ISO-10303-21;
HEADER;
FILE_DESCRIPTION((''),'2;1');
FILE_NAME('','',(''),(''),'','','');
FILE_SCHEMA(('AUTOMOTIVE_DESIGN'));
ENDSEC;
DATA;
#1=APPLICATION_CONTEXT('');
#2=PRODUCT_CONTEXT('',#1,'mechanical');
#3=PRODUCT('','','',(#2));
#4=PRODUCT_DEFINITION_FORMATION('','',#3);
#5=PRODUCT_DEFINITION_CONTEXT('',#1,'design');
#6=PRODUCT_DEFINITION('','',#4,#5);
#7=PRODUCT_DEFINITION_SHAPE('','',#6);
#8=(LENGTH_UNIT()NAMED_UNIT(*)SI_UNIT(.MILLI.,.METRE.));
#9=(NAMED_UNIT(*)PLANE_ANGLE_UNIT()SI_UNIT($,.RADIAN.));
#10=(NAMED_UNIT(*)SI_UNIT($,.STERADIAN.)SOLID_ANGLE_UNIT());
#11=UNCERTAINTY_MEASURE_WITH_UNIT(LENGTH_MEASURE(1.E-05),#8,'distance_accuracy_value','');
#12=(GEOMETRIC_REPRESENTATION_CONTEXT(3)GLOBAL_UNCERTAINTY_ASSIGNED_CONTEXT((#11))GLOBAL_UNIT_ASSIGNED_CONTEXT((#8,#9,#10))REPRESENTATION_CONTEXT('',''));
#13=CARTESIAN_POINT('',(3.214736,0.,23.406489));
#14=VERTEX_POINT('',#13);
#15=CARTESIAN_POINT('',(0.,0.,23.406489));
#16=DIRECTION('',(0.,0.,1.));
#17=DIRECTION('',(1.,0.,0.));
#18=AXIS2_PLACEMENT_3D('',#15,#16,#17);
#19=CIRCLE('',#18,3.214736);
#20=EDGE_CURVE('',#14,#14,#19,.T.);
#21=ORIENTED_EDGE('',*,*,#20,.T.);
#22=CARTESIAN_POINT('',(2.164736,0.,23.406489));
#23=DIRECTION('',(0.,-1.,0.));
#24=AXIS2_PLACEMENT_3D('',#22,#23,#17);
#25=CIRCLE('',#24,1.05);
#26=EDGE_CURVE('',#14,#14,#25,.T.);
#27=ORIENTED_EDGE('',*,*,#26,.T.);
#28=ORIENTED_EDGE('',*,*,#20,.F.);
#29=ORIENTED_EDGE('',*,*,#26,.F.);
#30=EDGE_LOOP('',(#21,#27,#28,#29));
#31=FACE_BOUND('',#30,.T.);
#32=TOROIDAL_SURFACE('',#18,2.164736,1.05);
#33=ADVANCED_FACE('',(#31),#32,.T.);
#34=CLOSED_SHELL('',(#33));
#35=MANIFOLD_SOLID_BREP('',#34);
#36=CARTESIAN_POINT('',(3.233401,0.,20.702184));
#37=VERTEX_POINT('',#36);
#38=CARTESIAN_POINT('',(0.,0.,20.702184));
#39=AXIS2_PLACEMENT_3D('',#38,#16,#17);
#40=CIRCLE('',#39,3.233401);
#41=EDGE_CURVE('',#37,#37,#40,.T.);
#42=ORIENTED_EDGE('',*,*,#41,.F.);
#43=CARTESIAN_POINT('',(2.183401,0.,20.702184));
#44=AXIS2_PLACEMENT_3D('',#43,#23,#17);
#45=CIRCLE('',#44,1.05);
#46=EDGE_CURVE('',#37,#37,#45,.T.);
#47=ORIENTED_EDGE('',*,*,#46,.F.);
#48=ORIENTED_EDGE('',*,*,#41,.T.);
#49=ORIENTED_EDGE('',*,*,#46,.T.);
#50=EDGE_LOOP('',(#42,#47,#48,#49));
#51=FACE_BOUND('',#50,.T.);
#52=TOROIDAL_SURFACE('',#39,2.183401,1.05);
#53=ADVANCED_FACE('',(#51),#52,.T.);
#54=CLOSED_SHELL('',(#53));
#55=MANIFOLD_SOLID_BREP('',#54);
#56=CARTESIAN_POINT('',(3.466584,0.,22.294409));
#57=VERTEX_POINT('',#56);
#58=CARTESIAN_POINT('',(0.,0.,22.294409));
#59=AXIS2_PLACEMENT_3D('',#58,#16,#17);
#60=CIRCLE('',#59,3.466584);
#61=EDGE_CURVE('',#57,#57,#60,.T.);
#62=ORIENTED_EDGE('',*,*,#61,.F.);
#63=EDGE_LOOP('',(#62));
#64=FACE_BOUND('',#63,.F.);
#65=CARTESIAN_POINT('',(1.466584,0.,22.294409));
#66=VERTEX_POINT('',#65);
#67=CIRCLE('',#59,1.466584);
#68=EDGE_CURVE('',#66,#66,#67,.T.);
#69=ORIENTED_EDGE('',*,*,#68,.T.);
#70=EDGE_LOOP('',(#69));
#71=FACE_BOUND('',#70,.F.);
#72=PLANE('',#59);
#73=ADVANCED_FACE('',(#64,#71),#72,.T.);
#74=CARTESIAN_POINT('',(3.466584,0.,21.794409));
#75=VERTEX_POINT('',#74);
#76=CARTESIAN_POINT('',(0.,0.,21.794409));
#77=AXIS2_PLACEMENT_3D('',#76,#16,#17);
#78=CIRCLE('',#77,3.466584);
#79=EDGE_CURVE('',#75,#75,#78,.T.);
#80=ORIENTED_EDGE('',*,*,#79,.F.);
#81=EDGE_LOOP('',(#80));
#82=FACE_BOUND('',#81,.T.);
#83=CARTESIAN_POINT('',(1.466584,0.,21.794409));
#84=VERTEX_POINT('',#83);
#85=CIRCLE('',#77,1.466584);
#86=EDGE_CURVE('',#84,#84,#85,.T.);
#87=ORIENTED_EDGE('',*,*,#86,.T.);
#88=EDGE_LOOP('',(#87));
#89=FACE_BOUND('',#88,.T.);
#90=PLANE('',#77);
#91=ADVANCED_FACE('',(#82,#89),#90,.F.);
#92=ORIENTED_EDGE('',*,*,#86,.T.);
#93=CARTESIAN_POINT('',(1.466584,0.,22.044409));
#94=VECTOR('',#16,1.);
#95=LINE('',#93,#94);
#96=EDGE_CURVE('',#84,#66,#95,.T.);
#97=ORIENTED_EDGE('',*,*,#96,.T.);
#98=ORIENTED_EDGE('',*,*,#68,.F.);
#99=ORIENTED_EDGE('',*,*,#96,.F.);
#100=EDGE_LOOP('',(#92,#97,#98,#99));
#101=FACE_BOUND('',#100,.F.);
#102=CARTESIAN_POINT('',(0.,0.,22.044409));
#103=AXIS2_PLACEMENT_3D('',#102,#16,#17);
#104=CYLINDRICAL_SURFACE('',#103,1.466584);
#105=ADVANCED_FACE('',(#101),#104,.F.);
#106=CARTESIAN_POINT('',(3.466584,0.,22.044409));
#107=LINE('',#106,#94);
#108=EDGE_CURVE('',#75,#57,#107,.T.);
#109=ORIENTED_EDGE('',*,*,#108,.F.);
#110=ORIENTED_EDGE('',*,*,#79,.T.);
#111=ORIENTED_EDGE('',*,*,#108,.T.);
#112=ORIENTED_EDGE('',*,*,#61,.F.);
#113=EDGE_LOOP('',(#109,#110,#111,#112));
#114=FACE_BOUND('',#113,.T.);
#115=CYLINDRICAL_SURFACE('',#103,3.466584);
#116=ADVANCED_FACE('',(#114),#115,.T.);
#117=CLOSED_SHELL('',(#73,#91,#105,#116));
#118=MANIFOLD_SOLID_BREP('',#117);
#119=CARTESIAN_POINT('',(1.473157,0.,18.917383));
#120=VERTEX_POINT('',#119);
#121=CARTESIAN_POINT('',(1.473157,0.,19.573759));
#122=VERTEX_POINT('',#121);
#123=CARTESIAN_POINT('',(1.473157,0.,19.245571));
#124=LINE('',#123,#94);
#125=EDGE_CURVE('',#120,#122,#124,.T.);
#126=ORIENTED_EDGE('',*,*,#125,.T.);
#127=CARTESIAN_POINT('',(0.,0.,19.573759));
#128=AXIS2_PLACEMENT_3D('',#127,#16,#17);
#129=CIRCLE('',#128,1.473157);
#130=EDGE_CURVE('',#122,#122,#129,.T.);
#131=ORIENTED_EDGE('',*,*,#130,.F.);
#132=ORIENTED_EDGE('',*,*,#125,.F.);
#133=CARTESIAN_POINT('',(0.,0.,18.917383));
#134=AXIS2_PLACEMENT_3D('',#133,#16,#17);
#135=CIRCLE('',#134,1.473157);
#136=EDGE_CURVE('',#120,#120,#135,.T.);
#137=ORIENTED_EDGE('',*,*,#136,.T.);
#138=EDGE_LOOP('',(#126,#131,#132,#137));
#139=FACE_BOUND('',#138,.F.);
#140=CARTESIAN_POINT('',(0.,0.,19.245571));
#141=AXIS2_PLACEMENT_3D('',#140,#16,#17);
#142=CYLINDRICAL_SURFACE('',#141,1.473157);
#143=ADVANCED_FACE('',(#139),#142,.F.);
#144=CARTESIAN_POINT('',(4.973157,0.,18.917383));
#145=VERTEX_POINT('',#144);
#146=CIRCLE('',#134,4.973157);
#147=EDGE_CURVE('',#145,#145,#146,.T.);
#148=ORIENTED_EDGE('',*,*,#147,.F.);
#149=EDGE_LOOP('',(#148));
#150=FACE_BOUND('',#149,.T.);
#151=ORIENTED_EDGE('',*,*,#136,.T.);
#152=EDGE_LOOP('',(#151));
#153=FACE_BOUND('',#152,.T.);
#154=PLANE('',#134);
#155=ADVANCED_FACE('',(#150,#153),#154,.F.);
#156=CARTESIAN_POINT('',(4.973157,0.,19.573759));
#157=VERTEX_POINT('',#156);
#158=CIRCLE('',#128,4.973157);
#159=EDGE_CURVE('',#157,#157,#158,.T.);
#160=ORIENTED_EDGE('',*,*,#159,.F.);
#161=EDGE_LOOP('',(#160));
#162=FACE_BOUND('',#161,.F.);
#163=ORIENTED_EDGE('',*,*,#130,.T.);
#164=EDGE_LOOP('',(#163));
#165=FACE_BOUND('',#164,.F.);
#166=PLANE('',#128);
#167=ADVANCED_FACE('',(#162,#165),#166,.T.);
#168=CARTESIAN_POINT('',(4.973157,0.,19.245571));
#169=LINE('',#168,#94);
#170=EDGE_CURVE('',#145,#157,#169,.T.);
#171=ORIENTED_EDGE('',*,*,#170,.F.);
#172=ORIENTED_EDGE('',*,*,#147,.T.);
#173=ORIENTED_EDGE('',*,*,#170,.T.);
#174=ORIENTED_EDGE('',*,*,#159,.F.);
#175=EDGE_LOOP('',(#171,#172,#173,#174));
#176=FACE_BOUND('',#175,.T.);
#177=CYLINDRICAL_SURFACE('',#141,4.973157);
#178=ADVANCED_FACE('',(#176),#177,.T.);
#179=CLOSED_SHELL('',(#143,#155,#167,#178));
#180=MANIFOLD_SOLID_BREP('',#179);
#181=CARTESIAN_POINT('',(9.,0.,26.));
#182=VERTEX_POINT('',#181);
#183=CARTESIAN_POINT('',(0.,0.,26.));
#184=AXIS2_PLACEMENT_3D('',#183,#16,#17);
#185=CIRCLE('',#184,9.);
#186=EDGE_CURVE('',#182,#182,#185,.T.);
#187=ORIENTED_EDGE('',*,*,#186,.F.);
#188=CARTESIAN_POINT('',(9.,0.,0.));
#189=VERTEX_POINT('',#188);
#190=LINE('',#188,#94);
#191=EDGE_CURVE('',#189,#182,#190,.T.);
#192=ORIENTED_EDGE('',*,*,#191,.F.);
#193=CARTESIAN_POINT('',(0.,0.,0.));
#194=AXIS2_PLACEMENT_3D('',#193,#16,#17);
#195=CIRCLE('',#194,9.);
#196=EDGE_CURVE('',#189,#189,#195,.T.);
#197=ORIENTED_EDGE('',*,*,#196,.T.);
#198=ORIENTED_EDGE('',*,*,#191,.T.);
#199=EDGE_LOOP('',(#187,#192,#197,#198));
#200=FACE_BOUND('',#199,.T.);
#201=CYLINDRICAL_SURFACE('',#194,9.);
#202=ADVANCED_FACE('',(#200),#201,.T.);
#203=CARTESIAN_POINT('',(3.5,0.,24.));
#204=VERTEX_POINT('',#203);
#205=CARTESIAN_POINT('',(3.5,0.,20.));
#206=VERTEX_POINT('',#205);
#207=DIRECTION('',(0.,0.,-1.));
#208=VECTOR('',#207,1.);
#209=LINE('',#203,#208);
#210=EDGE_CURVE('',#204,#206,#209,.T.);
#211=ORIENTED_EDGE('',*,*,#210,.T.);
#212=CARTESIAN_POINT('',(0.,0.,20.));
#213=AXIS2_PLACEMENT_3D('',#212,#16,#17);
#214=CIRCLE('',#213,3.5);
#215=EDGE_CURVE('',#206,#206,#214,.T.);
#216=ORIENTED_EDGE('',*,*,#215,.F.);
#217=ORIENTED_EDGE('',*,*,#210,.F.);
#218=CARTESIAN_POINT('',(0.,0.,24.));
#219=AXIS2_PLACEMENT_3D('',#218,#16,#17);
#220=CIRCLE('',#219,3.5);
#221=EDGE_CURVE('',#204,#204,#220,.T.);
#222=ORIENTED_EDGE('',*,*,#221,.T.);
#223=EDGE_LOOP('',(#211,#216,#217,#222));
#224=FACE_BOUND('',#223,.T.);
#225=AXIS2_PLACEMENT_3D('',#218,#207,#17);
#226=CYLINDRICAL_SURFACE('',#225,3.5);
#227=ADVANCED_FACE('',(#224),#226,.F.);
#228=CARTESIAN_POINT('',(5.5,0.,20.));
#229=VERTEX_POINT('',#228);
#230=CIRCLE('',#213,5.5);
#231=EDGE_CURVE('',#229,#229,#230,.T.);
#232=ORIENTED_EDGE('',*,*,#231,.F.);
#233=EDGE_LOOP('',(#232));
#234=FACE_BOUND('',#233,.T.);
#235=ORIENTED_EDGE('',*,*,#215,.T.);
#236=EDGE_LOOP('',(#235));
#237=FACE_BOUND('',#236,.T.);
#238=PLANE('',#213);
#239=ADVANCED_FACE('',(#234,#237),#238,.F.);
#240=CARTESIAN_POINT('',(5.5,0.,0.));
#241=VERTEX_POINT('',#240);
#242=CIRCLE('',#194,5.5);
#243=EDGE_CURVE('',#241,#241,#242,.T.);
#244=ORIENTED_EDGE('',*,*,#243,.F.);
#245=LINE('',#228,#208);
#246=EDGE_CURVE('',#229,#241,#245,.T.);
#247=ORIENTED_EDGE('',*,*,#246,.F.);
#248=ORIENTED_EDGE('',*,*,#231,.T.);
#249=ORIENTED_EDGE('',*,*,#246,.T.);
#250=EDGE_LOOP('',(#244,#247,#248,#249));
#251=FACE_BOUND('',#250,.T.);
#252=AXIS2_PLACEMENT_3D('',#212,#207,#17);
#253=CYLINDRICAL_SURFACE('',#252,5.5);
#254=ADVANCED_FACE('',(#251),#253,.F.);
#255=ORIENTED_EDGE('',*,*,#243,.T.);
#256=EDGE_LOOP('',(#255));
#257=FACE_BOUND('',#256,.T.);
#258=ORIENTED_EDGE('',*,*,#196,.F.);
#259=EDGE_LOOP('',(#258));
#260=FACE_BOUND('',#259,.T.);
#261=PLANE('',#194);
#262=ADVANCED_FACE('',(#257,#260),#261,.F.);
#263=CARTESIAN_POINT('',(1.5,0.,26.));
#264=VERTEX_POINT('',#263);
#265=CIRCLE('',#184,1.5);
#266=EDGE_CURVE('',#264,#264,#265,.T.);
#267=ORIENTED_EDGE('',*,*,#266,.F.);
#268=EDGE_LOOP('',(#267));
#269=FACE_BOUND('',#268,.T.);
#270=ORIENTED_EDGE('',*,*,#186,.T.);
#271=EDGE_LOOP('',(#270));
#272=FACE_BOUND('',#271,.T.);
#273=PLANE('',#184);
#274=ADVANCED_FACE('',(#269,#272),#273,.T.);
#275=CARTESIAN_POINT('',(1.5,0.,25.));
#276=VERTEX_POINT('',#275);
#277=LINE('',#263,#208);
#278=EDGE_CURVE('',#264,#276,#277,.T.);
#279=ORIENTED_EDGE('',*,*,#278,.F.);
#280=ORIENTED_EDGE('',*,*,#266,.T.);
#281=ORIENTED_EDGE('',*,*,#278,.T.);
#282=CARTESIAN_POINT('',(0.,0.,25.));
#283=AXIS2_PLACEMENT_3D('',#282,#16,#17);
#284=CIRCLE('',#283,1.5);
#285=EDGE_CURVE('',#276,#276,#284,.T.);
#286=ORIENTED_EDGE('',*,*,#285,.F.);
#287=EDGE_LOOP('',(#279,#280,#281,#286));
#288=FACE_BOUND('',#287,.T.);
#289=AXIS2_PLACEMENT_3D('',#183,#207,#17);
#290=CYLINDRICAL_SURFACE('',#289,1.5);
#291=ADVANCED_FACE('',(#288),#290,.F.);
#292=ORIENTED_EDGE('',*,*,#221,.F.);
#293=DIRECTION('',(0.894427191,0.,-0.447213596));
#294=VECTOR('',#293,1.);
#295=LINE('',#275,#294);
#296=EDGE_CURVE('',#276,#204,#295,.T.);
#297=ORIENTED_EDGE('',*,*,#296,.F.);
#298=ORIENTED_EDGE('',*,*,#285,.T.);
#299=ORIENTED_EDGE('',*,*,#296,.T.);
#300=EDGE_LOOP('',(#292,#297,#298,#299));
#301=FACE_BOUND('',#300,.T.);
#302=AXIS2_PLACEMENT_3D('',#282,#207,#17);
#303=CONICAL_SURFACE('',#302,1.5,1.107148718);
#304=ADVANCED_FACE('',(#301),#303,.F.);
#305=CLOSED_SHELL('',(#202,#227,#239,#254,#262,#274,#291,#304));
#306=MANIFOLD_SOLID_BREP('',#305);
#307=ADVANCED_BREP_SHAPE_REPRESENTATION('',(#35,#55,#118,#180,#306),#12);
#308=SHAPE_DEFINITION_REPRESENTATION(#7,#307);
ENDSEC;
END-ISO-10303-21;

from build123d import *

# Parameters (mm, degrees)
F2_R   = 1.05
F2_W   = 2
F2_H   = 0.5
F2_W_2 = 3.5
F2_H_2 = 0.656375


with BuildPart() as f1:
    # F0 (on Front) → F1 (revolve)
    with BuildSketch(Plane.XZ):
        Polygon((9, 26), (1.5, 26), (1.5, 25), (3.5, 24), (3.5, 20), (5.5, 20), (5.5, 0), (9, 0), align=None)
    revolve(axis=Axis((0, 0, 15.449578), (0, 0, 1)))


with BuildPart() as f3:
    # F2 (on Front) → F3 (revolve)
    with BuildSketch(Plane.XZ):
        with Locations((2.164736, 23.406489)):
            Circle(F2_R)
        with Locations((2.183401, 20.702184)):
            Circle(F2_R)
        with Locations((2.466584, 22.044409)):
            Rectangle(F2_W, F2_H)
        with Locations((3.223157, 19.245571)):
            Rectangle(F2_W_2, F2_H_2)
    revolve(axis=Axis((0, 0, 15.449578), (0, 0, 1)))


with BuildPart() as f4:
    # F2 (on Front) → F4 (revolve)
    with BuildSketch(Plane.XZ):
        with Locations((2.466584, 22.044409)):
            Rectangle(F2_W, F2_H)
    revolve(axis=Axis((0, 0, 15.449578), (0, 0, 1)))


with BuildPart() as f5:
    # F2 (on Front) → F5 (revolve)
    with BuildSketch(Plane.XZ):
        with Locations((3.223157, 19.245571)):
            Rectangle(F2_W_2, F2_H_2)
    revolve(axis=Axis((0, 0, 15.449578), (0, 0, 1)))


solid = Compound([f1.part, f3.part])
